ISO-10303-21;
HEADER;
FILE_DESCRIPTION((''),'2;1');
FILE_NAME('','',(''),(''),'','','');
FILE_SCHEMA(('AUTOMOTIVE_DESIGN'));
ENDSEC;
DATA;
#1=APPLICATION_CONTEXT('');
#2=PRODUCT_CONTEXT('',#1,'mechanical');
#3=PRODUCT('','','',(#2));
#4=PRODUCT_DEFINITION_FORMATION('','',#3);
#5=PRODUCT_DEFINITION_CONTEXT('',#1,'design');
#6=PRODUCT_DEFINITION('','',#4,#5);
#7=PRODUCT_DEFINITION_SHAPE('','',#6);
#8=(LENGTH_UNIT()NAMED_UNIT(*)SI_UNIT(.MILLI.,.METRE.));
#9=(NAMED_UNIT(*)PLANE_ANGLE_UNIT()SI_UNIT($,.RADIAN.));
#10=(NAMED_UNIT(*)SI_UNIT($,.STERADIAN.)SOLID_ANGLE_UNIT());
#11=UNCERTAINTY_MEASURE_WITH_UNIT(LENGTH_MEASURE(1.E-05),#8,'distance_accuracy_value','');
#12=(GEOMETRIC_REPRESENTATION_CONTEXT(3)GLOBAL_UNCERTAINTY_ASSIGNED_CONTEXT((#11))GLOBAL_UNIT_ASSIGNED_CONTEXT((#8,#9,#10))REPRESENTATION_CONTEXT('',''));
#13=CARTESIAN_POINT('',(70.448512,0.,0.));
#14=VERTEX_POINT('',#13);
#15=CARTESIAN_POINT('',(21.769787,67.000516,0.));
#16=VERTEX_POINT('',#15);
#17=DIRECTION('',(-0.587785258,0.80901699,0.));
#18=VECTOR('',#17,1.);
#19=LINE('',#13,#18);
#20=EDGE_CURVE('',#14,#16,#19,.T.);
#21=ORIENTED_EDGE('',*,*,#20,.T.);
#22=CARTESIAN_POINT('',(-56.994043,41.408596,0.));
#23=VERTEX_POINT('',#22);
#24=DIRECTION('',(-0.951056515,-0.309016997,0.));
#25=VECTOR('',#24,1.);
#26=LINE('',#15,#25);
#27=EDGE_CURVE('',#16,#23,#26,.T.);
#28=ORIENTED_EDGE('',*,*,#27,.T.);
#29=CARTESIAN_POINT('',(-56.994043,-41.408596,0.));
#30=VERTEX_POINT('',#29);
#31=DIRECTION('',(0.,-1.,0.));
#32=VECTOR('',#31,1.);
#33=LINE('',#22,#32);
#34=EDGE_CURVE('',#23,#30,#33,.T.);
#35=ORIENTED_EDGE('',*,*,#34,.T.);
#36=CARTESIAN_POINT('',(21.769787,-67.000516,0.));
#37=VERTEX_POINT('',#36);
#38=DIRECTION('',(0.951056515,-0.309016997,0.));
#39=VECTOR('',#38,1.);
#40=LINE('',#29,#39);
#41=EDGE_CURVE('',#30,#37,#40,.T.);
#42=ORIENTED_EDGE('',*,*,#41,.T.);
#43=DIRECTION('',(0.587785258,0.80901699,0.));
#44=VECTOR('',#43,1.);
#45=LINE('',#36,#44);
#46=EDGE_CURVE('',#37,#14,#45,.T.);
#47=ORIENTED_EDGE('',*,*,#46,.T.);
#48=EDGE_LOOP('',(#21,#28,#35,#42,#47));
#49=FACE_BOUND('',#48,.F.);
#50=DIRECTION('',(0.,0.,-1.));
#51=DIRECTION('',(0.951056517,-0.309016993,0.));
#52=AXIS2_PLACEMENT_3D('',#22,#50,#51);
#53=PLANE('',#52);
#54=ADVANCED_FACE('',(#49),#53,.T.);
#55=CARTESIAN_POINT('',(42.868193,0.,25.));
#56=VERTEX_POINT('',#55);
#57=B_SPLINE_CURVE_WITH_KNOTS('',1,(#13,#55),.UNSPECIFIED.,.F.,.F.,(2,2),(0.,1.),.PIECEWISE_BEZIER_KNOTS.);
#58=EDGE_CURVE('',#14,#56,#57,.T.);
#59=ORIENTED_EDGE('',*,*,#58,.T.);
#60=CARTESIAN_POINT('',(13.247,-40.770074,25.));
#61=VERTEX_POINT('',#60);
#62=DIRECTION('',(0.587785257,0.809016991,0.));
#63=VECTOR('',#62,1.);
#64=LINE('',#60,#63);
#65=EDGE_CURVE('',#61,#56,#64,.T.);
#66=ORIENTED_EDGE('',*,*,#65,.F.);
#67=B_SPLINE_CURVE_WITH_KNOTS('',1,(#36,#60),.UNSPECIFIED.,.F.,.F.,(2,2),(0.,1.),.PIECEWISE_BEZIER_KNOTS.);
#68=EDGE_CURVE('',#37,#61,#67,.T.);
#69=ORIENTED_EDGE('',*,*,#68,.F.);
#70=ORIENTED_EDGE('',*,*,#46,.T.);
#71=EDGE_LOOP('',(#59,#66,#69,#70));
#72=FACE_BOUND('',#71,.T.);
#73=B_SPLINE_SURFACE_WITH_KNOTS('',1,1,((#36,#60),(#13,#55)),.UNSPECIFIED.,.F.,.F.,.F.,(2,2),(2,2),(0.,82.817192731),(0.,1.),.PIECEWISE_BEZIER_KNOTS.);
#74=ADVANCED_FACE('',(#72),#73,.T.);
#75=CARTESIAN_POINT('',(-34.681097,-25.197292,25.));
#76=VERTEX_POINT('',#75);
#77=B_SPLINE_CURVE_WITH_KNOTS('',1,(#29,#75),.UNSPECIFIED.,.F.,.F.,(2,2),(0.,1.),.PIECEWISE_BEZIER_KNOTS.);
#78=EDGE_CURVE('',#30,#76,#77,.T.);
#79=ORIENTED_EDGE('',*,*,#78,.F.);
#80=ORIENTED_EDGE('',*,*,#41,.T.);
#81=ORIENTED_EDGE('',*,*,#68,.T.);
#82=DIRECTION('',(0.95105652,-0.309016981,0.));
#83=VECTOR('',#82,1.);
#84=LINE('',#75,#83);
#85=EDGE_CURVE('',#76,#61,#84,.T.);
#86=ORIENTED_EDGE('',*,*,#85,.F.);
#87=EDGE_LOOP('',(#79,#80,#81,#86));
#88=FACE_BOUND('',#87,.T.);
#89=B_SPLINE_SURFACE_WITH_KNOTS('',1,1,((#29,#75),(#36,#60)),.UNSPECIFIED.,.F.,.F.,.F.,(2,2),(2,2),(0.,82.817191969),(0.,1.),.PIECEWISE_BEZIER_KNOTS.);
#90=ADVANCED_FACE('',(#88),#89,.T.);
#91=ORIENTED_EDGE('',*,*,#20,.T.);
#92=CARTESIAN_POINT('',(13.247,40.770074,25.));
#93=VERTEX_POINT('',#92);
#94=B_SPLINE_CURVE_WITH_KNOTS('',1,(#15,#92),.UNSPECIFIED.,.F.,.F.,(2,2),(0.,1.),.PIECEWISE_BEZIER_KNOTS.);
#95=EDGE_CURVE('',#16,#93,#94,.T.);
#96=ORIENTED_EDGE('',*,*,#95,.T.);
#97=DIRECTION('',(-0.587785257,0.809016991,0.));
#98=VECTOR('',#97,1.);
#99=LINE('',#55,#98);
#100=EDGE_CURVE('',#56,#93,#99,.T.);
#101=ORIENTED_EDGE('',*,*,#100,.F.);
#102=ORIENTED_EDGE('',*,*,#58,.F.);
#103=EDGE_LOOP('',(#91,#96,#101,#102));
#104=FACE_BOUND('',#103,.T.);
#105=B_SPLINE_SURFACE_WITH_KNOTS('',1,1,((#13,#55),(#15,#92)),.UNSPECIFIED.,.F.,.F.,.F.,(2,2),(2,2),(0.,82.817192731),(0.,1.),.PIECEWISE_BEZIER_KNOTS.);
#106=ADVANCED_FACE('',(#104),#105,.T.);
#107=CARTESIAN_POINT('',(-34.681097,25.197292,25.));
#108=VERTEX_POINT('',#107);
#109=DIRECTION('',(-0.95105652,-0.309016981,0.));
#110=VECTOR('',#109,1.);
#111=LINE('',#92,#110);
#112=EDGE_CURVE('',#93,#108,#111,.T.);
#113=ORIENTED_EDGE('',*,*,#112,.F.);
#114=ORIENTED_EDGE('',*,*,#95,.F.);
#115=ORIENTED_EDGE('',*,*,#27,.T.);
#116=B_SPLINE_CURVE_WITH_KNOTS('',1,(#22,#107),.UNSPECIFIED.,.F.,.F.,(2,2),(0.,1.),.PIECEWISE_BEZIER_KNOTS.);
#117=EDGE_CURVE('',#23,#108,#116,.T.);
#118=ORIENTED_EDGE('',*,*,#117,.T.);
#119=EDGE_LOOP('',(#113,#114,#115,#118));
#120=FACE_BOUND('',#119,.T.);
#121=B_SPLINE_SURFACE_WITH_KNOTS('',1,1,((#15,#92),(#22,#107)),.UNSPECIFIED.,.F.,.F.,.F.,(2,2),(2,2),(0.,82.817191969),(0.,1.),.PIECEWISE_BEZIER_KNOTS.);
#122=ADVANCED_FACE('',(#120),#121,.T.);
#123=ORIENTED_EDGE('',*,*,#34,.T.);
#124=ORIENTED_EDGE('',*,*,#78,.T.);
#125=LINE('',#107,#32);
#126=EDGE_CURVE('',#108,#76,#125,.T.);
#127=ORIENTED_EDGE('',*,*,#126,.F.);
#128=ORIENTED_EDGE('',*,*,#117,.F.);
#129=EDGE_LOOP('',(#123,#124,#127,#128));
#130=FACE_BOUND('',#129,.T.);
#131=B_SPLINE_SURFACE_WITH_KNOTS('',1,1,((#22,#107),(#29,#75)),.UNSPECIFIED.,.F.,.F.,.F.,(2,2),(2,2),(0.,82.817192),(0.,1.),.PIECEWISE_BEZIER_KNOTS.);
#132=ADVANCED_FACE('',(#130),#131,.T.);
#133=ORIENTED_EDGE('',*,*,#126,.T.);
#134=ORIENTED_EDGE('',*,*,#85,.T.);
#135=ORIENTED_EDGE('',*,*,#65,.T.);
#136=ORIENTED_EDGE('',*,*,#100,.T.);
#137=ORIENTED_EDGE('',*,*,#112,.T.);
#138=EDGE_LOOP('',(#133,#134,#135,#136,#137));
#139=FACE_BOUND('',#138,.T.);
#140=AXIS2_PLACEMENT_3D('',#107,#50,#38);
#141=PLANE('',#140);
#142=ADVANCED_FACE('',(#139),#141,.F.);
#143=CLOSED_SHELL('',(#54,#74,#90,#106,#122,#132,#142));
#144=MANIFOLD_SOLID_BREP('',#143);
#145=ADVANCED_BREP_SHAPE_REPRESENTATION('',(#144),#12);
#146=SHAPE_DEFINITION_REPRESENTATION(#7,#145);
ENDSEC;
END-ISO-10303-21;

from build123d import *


with BuildPart() as f3:
    # F1 (on Top) → F3 section 0
    with BuildSketch(Plane.XY):
        Polygon((-56.994043, 41.408596), (-56.994043, -41.408596), (21.769787, -67.000516), (70.448512, 0), (21.769787, 67.000516), align=None)
    # F2 (on offset) → F3 section 1
    with BuildSketch(Plane.XY.offset(25)):
        Polygon((-34.681097, 25.197292), (-34.681097, -25.197292), (13.247, -40.770074), (42.868193, 0), (13.247, 40.770074), align=None)
    loft()


solid = f3.part
